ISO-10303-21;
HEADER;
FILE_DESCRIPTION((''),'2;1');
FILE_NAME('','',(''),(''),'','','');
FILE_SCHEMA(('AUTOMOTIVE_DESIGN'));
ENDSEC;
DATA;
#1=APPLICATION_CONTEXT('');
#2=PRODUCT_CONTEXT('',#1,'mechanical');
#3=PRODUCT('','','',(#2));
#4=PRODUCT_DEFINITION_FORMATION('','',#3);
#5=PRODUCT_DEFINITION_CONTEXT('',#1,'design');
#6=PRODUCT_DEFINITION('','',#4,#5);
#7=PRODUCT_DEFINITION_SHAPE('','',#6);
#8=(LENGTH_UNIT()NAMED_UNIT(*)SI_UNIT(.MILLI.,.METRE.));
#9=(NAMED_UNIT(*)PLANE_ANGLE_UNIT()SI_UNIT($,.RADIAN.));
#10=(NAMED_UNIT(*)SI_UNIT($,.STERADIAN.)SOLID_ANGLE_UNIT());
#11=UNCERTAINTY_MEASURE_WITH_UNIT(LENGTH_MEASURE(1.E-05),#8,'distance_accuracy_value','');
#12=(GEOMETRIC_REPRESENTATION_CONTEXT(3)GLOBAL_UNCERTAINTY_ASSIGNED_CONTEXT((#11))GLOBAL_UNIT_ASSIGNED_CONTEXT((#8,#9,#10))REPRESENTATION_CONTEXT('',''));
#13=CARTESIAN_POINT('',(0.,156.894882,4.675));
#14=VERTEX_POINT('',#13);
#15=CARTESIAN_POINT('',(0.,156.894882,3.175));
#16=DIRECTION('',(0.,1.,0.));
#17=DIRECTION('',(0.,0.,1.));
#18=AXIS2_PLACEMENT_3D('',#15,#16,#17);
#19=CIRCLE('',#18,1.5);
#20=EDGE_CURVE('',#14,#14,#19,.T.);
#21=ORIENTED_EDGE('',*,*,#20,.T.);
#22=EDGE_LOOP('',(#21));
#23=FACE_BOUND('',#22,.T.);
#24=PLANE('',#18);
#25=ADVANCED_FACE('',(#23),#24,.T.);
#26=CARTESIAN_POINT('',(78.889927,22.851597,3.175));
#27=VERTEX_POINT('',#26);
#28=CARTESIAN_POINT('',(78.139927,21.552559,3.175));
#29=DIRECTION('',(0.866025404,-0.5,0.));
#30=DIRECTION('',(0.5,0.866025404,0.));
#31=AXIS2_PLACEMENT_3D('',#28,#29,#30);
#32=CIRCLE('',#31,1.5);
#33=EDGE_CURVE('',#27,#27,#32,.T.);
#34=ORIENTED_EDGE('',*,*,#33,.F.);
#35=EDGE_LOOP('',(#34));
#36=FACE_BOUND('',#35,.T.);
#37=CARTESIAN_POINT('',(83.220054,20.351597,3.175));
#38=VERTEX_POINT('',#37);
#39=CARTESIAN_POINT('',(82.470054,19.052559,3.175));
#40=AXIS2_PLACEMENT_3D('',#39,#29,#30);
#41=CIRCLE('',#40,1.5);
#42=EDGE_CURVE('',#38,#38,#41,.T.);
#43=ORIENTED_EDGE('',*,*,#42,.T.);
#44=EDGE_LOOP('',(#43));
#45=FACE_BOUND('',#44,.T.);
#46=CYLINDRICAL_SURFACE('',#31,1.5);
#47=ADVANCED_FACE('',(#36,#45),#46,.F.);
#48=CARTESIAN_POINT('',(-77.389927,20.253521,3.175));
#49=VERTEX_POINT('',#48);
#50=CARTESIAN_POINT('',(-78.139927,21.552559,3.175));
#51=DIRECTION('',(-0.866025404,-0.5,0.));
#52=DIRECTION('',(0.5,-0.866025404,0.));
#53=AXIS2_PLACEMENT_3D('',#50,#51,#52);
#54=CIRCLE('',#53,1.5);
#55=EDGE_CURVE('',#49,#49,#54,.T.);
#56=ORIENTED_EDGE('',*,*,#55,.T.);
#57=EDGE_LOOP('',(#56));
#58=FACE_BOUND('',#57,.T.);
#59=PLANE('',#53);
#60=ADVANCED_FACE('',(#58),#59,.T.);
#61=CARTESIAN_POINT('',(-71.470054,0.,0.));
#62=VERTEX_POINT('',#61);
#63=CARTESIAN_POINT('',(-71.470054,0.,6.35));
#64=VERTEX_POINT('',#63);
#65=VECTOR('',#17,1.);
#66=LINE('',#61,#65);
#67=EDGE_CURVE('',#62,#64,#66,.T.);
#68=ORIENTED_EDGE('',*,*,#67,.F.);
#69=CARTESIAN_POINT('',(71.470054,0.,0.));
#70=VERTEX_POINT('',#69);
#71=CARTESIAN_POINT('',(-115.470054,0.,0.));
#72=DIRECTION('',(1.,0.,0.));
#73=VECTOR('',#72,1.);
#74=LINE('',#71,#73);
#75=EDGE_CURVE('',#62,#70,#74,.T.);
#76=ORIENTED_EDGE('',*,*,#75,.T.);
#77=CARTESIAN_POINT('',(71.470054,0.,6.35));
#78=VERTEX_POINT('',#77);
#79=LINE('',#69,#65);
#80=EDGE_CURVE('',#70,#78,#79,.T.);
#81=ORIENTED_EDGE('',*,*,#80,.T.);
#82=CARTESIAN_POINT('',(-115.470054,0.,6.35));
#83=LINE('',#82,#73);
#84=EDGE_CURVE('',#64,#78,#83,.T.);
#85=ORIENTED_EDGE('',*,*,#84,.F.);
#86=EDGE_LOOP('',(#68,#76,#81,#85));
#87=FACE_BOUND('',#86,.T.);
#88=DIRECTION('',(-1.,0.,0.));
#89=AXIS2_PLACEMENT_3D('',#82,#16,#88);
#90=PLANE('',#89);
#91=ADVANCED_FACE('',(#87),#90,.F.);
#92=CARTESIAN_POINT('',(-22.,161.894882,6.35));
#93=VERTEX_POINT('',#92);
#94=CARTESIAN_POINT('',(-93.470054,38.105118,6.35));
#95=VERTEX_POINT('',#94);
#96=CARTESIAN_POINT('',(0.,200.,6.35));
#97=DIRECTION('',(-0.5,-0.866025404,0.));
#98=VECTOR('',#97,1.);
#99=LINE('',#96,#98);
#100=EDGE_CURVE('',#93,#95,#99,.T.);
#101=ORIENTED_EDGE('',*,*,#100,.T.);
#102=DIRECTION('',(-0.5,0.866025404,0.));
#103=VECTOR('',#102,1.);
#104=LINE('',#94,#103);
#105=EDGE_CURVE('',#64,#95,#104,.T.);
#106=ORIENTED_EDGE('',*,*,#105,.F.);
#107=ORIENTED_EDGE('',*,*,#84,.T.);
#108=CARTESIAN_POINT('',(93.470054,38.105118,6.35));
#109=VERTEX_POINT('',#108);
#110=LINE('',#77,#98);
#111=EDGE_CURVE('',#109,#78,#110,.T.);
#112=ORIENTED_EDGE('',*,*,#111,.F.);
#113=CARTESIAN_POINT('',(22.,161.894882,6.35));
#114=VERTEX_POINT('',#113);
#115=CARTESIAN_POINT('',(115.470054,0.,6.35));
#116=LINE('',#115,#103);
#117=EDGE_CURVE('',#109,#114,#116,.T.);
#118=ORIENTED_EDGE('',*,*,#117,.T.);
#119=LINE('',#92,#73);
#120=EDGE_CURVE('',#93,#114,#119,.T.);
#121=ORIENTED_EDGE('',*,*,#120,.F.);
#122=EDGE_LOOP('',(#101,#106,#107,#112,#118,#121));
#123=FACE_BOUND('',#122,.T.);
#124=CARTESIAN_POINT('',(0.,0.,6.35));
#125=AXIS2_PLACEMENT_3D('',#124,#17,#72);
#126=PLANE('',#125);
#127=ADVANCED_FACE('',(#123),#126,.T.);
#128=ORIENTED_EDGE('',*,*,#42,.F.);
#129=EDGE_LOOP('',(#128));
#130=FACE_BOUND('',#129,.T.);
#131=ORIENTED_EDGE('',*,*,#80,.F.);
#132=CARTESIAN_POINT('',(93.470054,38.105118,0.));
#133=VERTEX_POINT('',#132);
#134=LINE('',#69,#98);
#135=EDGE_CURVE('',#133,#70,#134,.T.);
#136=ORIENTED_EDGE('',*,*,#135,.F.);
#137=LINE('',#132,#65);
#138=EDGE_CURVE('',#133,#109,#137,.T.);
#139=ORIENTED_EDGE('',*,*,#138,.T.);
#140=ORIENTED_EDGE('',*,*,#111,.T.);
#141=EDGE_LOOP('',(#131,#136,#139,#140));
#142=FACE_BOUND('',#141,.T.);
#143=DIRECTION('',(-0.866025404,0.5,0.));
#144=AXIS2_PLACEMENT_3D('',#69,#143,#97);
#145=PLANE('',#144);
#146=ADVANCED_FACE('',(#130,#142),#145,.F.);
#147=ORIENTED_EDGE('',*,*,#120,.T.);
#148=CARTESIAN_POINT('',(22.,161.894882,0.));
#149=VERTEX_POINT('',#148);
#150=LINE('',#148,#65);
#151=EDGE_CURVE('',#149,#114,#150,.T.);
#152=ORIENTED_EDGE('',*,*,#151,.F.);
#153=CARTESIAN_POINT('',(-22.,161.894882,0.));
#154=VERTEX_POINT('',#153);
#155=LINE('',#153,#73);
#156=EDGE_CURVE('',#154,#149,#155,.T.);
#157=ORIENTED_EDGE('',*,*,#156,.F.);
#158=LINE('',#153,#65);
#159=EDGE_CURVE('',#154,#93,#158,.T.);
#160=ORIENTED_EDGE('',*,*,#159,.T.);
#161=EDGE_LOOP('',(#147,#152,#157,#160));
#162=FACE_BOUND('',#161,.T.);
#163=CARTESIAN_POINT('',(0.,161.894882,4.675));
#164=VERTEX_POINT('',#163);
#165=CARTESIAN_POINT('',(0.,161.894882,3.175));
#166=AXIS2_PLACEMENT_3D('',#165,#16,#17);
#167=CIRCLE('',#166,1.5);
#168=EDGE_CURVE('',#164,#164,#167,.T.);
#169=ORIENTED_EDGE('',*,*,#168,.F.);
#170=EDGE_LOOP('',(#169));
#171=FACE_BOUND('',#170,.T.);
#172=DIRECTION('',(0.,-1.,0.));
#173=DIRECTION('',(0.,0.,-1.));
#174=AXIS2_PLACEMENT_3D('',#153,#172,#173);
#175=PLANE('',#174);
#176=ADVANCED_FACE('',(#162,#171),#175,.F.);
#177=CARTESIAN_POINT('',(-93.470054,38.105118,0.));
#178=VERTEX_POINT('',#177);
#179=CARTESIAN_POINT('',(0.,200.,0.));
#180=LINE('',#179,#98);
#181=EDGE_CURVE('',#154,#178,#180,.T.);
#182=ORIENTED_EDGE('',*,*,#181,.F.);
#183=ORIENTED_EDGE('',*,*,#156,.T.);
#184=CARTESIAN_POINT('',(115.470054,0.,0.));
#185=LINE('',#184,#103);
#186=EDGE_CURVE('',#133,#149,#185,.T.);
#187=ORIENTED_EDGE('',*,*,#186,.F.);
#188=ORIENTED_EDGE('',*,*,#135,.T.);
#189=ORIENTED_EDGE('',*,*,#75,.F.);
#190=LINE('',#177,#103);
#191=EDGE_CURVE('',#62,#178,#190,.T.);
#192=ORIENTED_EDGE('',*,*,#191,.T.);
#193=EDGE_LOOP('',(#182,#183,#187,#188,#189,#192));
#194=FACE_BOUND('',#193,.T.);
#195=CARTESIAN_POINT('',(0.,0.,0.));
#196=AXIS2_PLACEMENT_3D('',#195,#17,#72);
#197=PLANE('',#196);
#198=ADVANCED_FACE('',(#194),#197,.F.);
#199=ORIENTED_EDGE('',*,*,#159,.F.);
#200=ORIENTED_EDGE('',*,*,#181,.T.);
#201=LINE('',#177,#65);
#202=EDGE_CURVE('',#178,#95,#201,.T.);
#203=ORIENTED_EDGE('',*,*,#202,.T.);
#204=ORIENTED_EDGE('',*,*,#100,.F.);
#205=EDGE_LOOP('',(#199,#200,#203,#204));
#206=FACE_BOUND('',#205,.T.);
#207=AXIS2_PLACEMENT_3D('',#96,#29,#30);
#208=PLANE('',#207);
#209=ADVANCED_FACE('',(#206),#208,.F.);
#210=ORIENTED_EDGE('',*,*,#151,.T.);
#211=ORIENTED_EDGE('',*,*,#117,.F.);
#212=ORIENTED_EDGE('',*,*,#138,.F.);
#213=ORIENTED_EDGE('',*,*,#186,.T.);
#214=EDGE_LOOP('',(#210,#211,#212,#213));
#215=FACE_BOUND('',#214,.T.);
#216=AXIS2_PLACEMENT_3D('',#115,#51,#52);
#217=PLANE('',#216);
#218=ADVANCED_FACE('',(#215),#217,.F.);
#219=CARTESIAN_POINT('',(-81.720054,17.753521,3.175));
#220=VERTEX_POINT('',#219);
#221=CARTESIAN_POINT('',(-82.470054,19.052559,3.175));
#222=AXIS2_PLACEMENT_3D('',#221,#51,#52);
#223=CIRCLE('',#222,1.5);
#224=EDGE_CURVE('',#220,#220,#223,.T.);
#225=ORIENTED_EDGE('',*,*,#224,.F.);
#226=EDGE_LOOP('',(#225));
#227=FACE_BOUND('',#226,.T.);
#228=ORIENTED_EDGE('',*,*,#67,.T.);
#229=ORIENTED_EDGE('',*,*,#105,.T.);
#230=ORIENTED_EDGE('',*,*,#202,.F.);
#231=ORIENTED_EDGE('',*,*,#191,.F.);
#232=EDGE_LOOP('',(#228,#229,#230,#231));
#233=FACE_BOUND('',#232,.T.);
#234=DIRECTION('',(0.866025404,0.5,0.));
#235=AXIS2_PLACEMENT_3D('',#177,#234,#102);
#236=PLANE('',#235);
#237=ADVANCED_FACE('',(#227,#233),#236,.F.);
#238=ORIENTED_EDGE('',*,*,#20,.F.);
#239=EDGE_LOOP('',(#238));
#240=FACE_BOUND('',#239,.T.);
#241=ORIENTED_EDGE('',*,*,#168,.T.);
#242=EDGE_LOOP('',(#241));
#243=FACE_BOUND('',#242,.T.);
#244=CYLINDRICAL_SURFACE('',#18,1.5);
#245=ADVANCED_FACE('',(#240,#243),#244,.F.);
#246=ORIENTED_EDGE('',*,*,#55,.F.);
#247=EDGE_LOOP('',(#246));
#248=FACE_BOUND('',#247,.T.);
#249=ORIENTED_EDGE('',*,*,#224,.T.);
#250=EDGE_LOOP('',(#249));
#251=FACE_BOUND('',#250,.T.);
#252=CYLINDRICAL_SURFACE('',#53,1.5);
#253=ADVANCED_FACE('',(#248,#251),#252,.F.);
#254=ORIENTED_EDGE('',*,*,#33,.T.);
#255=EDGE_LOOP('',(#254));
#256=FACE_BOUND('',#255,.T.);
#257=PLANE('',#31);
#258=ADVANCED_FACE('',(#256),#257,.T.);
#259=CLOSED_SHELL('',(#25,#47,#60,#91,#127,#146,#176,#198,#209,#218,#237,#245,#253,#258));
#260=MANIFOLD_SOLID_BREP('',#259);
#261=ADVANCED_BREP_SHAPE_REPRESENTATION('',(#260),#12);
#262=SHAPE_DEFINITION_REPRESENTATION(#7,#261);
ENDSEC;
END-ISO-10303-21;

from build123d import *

# Parameters (mm, degrees)
BOSS_EXTRU_1_DEPTH      = 6.35
ENL_V_MAT_EXTRU_2_DEPTH = 232.027391955
ESQUISSE5_R             = 1.5
ENL_V_MAT_EXTRU_3_DEPTH = 5
ESQUISSE7_R             = 1.5
ENL_V_MAT_EXTRU_4_DEPTH = 5
ESQUISSE8_R             = 1.5
ENL_V_MAT_EXTRU_5_DEPTH = 5


with BuildPart() as part:
    # Esquisse2 → Boss.-Extru.1 (new body)
    with BuildSketch(Plane.XY):
        Polygon((-115.470053838, 0), (115.470053838, 0), (0, 200), align=None)
    extrude(amount=BOSS_EXTRU_1_DEPTH)

    # Esquisse4 → Enlèv. mat.-Extru.2 (cut, through all)
    with BuildSketch(Plane.XY.offset(6.35)):
        Polygon((-115.470053838, 0), (-93.470053838, 38.105117767), (-71.470053838, 0), align=None)
        Polygon((115.470053838, 0), (71.470053838, 0), (93.470053838, 38.105117767), align=None)
        Polygon((0, 200), (-22, 161.894882233), (22, 161.894882233), align=None)
    extrude(amount=-ENL_V_MAT_EXTRU_2_DEPTH, mode=Mode.SUBTRACT)

    # Esquisse5 → Enlèv. mat.-Extru.3 (cut)
    with BuildSketch(Plane(origin=(-53.602540378, -30.947441117, 0), x_dir=(0, 0, 1), z_dir=(-0.8660254037844389, -0.49999999999999983, 0))):
        with Locations(Location((3.175, 57.735026919, 0), (0, 0, 270))):
            Circle(ESQUISSE5_R)
    extrude(amount=-ENL_V_MAT_EXTRU_3_DEPTH, mode=Mode.SUBTRACT)

    # Esquisse7 → Enlèv. mat.-Extru.4 (cut)
    with BuildSketch(Plane(origin=(0, 161.894882233, 0), x_dir=(1, 0, 0), z_dir=(0, 1, 0))):
        with Locations(Location((0, -3.175, 0), (0, 0, 270))):
            Circle(ESQUISSE7_R)
    extrude(amount=-ENL_V_MAT_EXTRU_4_DEPTH, mode=Mode.SUBTRACT)

    # Esquisse8 → Enlèv. mat.-Extru.5 (cut)
    with BuildSketch(Plane(origin=(53.602540378, -30.947441117, 0), x_dir=(0, 0, -1), z_dir=(0.8660254037844383, -0.5000000000000009, 0))):
        with Locations(Location((-3.175, 57.735026919, 0), (0, 0, 90))):
            Circle(ESQUISSE8_R)
    extrude(amount=-ENL_V_MAT_EXTRU_5_DEPTH, mode=Mode.SUBTRACT)


solid = part.part
